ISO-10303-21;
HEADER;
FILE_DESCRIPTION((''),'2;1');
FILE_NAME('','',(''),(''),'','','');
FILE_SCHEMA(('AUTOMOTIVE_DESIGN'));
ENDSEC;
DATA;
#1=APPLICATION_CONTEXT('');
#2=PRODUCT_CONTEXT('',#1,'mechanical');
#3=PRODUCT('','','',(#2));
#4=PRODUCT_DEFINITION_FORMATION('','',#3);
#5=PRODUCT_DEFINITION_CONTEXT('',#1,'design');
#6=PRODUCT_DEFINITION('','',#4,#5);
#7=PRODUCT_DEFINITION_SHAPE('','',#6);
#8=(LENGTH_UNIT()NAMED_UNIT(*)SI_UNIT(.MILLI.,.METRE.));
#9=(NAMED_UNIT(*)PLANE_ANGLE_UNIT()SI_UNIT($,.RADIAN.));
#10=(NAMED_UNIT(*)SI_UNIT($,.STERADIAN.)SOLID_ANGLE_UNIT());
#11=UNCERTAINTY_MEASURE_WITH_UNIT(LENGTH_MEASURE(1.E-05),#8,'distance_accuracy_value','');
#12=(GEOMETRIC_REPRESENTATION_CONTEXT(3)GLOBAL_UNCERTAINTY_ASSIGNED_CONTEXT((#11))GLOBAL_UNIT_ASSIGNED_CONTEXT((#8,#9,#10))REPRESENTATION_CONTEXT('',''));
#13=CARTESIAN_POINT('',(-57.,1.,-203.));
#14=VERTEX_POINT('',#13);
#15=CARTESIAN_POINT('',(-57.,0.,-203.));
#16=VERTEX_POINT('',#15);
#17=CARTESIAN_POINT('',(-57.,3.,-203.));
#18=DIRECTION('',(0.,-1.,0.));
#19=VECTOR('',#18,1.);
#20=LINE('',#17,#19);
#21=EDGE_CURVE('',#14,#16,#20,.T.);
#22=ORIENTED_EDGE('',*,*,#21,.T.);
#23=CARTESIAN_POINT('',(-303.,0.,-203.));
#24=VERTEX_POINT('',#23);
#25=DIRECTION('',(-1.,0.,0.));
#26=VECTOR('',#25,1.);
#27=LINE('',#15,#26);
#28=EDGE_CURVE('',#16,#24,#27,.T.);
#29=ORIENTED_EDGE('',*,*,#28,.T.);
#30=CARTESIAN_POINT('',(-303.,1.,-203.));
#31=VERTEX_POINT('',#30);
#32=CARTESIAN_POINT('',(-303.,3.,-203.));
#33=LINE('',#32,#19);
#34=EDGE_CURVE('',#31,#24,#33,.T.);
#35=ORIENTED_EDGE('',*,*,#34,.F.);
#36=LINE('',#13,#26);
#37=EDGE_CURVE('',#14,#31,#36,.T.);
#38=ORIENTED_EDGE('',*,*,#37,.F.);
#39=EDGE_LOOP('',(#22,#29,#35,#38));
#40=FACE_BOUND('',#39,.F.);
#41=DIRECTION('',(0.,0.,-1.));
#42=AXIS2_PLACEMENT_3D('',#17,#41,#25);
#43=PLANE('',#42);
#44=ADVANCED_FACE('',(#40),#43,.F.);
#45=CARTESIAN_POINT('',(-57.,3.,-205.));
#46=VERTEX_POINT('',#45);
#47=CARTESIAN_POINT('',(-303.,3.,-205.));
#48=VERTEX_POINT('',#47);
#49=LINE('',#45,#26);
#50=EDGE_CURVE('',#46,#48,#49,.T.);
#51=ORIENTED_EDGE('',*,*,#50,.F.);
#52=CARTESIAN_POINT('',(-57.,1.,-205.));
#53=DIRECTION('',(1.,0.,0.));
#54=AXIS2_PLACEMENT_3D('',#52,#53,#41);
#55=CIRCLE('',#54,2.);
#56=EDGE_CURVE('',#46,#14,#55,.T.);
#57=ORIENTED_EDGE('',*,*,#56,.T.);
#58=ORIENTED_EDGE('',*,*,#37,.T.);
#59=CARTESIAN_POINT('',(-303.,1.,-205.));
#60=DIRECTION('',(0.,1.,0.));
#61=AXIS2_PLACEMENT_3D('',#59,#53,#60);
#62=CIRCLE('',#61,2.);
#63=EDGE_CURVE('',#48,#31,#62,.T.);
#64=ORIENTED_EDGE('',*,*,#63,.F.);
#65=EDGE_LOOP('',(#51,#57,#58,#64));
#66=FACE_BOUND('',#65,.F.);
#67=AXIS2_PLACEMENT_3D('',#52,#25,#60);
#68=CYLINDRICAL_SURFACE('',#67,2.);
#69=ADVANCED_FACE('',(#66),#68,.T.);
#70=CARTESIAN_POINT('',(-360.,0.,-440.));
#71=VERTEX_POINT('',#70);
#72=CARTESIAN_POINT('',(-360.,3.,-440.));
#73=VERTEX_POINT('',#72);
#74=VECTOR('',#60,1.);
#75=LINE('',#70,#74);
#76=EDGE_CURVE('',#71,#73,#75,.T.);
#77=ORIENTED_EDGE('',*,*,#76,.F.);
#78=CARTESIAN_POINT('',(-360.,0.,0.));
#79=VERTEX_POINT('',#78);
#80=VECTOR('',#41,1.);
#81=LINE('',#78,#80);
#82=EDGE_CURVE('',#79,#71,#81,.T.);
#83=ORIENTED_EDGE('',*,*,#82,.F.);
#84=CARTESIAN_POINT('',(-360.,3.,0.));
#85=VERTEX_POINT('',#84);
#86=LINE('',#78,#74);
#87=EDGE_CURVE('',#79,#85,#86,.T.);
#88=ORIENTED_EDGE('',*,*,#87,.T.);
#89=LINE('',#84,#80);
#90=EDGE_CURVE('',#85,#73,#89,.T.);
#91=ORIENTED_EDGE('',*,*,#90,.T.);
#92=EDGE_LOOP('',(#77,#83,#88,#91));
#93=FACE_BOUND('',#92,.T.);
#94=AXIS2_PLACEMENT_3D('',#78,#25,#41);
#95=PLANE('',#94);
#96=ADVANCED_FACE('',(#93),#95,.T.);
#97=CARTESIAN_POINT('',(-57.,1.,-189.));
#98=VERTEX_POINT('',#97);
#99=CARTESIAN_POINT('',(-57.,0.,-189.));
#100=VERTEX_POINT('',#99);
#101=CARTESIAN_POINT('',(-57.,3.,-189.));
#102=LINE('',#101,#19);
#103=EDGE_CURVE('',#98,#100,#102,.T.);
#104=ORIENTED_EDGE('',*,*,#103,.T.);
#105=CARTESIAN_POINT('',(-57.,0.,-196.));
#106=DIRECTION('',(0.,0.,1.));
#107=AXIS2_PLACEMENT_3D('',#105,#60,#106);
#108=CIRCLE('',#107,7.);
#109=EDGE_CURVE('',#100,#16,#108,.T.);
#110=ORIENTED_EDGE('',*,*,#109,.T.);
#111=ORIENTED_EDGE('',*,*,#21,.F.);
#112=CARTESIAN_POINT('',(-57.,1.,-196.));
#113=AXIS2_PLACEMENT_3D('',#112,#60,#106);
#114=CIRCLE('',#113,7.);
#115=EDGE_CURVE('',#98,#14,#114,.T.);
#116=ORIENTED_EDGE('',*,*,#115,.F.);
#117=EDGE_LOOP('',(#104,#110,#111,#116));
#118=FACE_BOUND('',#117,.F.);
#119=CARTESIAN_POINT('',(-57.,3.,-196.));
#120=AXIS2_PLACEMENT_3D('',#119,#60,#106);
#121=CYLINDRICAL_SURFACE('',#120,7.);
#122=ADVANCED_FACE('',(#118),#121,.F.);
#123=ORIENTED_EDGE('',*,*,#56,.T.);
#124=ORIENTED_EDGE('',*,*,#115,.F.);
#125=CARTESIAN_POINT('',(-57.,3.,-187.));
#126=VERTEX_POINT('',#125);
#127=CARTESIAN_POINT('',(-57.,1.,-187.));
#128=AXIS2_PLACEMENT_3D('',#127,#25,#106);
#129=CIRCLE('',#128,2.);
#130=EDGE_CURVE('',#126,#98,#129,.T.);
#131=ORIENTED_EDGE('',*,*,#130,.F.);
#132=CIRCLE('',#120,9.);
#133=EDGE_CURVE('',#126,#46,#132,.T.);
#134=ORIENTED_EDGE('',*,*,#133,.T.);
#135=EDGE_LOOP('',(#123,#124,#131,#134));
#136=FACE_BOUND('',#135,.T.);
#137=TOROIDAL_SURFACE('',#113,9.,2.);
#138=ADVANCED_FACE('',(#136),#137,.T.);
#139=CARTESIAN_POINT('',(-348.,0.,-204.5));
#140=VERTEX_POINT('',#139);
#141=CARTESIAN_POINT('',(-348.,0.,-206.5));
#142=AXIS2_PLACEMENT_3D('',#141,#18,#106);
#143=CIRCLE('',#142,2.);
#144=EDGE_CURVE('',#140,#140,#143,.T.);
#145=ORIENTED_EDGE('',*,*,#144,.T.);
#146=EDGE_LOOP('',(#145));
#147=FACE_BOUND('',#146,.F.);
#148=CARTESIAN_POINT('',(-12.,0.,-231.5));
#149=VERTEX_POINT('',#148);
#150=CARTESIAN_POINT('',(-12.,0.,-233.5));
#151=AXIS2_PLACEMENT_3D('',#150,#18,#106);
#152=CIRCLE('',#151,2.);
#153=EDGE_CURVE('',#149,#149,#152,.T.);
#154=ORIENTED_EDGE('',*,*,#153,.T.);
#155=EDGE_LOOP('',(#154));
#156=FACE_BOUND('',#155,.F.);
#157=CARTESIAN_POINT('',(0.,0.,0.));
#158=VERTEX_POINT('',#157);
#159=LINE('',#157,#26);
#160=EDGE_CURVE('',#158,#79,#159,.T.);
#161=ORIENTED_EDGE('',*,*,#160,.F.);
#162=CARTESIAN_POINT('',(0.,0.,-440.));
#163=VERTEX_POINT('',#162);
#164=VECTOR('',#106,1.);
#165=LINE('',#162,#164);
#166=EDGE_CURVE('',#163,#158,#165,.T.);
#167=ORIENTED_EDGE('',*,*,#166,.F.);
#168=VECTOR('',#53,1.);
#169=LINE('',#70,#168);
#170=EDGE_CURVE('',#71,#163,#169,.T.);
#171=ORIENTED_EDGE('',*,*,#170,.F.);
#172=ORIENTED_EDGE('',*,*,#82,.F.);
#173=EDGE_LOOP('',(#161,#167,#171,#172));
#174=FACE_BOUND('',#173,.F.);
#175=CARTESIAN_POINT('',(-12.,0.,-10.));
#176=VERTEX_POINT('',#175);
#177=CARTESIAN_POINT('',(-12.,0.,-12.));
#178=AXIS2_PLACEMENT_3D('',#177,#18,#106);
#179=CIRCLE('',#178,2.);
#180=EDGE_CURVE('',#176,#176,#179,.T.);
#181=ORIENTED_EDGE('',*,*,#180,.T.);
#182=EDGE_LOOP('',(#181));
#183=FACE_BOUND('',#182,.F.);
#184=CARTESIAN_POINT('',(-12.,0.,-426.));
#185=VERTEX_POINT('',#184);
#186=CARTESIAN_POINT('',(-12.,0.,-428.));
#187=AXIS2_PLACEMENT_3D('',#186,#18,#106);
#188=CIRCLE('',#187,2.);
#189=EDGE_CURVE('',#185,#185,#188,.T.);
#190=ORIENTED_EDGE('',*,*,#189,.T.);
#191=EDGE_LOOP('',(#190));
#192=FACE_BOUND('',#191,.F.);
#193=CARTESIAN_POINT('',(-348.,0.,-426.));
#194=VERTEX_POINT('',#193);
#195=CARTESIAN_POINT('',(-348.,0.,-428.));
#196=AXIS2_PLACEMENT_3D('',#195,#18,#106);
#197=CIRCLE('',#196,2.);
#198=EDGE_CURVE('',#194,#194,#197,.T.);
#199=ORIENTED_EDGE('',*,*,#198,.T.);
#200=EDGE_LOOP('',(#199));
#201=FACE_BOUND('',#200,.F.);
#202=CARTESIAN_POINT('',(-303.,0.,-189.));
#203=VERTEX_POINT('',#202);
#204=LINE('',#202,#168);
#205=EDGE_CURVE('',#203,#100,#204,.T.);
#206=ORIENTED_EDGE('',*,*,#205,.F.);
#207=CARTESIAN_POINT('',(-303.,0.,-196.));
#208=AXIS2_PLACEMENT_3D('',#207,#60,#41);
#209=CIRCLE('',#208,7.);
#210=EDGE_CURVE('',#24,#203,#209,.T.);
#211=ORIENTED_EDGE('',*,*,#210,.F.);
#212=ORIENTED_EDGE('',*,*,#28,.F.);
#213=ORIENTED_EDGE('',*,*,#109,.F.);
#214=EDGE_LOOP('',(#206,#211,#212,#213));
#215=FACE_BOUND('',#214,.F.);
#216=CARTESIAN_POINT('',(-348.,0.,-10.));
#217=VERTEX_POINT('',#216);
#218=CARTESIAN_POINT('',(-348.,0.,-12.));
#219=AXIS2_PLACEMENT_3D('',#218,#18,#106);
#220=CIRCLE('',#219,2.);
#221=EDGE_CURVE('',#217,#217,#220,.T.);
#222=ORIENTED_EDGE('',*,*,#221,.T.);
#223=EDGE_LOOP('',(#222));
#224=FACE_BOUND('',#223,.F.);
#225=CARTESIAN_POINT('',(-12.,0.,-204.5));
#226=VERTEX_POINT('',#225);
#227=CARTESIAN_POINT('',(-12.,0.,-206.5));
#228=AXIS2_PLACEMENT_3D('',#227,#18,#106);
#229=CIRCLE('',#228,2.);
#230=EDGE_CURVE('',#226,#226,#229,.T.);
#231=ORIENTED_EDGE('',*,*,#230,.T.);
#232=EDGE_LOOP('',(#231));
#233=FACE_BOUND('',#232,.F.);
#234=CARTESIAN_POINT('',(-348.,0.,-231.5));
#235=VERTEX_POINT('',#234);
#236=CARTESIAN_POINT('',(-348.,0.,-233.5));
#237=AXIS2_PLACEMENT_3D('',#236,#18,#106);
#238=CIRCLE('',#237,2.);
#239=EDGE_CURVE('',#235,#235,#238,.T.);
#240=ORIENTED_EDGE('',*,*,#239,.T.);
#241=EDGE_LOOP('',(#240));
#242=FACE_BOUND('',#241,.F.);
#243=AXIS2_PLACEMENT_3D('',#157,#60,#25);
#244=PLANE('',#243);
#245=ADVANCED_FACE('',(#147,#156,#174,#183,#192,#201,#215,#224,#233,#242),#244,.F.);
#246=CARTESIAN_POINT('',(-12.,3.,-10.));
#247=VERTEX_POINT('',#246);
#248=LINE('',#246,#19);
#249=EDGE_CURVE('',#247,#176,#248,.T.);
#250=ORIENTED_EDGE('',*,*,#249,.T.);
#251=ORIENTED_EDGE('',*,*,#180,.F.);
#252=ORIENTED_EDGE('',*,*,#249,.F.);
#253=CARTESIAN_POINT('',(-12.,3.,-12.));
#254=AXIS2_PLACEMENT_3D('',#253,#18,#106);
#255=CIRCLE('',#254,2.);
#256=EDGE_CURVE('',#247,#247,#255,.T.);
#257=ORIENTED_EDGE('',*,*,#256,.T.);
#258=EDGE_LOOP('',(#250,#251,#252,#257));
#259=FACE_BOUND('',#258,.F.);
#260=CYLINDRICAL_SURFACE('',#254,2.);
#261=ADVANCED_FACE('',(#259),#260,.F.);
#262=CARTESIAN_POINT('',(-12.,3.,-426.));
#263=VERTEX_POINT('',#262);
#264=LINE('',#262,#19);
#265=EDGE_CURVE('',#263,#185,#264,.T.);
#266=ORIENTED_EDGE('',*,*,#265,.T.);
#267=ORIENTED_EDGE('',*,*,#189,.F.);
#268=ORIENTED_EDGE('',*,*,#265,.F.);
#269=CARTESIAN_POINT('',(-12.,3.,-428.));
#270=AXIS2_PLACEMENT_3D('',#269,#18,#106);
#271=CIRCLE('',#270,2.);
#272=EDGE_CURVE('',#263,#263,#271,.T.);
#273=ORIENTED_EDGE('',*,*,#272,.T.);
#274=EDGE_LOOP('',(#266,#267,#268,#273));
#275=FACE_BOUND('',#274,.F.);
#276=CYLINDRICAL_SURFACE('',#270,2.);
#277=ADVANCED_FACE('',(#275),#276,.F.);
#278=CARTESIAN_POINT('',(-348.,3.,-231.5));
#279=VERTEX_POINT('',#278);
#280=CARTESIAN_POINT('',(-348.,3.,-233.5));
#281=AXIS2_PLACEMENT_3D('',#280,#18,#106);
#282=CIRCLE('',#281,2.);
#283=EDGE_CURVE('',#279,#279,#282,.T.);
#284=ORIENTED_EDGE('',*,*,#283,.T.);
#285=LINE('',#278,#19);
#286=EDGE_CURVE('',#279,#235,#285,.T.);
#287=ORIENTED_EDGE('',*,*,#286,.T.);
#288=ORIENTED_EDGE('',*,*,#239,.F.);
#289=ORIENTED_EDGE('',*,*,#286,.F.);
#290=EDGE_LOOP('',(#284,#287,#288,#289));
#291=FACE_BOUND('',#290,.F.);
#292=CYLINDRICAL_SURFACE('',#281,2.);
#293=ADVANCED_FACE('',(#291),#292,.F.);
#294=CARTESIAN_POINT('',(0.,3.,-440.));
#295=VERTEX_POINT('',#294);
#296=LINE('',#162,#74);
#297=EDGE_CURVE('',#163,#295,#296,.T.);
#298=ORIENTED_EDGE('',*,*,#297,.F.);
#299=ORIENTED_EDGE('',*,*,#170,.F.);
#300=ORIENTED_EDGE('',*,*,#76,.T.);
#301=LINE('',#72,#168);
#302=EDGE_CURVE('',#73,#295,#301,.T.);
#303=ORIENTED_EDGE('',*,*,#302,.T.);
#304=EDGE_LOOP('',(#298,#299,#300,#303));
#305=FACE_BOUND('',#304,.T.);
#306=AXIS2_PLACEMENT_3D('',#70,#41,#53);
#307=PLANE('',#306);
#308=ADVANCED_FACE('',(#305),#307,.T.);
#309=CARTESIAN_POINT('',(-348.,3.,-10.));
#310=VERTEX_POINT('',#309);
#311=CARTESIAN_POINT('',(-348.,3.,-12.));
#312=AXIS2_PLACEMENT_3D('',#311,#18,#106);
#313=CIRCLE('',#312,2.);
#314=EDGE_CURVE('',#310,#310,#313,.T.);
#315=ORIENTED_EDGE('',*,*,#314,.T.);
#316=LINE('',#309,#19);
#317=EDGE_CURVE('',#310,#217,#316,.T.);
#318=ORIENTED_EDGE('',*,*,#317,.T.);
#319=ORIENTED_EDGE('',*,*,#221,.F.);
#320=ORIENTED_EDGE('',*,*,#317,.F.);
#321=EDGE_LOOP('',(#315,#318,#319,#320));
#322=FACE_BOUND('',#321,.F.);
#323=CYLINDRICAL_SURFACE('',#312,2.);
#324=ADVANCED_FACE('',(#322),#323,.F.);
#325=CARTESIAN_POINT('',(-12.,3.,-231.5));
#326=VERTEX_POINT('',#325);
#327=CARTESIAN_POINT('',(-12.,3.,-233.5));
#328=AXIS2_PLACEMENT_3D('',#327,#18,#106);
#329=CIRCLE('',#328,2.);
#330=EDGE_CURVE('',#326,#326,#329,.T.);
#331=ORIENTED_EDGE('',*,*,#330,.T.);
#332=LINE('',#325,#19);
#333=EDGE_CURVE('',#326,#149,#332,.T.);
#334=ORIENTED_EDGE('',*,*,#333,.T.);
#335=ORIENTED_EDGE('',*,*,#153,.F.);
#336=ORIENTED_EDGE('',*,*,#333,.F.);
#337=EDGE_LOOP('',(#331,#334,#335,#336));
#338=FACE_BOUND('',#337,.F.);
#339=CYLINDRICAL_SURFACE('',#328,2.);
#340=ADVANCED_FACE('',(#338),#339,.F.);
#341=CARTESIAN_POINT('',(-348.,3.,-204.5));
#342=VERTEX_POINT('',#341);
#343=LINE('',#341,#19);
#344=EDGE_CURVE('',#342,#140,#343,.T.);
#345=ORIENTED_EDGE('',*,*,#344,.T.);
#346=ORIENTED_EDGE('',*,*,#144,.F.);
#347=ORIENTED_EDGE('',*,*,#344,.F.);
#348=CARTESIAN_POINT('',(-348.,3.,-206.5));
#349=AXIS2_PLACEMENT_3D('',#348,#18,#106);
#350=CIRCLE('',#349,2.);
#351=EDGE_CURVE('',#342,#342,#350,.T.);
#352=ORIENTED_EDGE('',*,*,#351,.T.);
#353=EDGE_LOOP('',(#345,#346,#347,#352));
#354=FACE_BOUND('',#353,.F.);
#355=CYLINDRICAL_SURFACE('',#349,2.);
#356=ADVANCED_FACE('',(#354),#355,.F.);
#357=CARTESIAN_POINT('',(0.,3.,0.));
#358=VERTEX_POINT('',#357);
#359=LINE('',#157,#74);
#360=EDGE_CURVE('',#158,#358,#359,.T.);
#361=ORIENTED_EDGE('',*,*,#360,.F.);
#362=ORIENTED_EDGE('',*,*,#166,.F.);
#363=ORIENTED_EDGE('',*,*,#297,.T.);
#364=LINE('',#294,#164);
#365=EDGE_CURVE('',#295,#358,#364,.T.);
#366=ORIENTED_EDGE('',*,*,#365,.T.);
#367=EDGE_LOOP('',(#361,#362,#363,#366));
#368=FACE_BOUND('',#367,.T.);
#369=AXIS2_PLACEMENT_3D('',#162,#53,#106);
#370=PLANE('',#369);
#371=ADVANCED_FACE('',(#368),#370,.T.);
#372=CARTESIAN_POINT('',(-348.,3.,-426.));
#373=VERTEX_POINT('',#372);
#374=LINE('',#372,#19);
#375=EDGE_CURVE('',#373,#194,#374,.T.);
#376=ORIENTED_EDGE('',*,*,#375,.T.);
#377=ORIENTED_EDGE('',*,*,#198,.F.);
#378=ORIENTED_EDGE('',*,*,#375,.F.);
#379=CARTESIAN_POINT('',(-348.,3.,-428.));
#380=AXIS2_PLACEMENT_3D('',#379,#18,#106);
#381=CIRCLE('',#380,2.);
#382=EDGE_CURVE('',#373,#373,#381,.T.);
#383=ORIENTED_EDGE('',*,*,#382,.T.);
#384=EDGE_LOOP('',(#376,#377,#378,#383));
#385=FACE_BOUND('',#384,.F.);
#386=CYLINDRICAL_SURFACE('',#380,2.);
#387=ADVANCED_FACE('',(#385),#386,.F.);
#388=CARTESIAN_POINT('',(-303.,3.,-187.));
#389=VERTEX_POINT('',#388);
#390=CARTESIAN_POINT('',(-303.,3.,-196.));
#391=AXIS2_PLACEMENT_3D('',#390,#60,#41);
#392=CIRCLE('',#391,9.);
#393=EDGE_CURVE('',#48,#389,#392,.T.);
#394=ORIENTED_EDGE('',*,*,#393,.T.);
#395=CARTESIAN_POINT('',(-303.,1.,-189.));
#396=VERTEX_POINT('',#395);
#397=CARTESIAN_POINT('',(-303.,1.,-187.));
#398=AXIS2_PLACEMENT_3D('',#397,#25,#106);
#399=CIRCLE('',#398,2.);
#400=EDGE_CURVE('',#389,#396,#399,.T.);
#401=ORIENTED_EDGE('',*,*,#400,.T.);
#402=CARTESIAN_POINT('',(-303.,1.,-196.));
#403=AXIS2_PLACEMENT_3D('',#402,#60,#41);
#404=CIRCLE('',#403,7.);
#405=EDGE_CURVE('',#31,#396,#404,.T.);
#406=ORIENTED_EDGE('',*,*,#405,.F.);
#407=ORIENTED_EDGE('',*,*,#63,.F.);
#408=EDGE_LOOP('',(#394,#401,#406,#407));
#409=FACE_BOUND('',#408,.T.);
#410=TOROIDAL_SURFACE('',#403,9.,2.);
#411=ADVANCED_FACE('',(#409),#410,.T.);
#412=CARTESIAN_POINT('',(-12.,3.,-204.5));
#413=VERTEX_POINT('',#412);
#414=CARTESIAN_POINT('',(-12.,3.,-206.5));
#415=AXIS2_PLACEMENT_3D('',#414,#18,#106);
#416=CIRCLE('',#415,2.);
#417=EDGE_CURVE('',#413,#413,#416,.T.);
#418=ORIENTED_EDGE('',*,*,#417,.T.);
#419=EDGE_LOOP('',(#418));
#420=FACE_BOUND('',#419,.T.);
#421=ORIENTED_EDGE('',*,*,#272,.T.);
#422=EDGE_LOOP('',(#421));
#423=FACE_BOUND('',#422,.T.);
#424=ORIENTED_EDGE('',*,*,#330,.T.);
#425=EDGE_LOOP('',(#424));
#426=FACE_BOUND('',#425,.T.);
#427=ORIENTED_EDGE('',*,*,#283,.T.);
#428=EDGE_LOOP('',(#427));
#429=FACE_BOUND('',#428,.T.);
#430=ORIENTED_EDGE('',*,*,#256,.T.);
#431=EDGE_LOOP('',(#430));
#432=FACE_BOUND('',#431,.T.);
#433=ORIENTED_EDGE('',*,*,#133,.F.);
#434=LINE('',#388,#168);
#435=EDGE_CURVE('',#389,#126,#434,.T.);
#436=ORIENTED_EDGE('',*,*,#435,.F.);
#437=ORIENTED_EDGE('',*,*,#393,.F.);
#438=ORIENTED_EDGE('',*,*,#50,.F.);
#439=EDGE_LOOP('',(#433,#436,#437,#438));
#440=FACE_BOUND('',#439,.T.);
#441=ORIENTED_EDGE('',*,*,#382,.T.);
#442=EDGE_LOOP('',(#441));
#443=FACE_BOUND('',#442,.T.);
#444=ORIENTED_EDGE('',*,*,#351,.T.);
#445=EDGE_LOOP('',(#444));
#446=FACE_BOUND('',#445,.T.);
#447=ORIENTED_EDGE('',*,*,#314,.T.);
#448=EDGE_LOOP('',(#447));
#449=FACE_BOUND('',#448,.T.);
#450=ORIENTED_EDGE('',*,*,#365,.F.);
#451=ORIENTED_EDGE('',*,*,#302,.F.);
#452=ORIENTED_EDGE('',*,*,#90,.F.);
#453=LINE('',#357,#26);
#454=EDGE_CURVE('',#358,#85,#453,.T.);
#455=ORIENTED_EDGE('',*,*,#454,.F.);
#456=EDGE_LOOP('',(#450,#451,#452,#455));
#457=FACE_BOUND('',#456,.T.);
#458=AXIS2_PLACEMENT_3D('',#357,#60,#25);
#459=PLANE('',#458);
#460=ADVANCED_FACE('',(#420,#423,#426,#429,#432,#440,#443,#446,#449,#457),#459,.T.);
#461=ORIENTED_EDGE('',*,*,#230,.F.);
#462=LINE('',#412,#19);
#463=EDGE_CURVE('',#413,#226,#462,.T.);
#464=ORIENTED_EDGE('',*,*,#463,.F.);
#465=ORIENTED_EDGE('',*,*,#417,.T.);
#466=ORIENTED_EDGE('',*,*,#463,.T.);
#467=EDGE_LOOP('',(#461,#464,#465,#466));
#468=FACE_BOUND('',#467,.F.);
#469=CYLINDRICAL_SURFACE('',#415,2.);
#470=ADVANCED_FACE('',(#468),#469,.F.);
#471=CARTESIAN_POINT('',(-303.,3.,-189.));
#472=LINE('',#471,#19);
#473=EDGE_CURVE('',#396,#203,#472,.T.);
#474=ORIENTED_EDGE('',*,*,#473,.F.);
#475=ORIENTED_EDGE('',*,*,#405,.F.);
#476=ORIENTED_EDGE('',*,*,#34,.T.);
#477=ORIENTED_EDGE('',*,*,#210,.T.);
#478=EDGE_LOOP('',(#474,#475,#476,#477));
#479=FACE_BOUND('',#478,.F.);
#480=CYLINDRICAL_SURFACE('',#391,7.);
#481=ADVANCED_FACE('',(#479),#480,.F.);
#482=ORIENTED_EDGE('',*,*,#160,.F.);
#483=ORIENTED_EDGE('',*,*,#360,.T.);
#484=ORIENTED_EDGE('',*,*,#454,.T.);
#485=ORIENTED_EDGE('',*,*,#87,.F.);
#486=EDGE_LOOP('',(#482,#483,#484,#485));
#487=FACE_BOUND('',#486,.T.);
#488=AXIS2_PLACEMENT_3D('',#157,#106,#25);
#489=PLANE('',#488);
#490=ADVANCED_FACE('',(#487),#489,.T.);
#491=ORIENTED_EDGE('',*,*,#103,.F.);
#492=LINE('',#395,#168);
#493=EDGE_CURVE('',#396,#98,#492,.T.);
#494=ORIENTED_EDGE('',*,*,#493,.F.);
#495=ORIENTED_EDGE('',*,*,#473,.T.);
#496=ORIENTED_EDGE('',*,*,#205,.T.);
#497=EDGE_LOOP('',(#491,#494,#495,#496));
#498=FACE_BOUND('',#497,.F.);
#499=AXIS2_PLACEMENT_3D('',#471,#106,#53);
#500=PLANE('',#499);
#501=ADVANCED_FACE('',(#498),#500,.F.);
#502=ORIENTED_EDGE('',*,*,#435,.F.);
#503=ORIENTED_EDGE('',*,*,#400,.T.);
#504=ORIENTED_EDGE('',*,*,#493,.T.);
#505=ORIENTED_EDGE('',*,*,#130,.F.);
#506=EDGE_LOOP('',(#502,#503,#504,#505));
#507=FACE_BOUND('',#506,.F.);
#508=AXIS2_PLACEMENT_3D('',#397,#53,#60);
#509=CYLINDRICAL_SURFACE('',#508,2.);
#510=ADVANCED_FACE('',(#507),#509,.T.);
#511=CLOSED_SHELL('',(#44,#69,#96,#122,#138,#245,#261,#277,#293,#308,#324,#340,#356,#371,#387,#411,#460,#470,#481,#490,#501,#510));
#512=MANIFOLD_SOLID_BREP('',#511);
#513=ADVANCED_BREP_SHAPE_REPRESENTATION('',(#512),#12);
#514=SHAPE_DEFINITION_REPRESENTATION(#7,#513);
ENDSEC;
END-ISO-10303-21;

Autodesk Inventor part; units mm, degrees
ref_plane "YZ Plane" through (0, 0, 0) normal (1, 0, 0) x (0, 1, 0)
ref_plane "XZ Plane" through (0, 0, 0) normal (0, 1, 0) x (-1, 0, 0)
ref_plane "XY Plane" through (0, 0, 0) normal (0, 0, 1) x (1, 0, 0)
sketch "Sketch1" plane through (0, 0, 0) normal (0, 1, 0) x (-1, 0, 0)
  line L0 (0, 0) -> (360, 0)
  line L1 (360, 0) -> (360, -440)
  line L2 (360, -440) -> (0, -440)
  line L3 (0, -440) -> (0, 0)
  dimension "d0" = 360
  dimension "d1" = 440
extrude "Extrusion1" add sketch "Sketch1" along normal blind 3
hole "Hole1" at (-12, 3, -12) direction (0, -1, 0) diameter 4 end through all
hole "Hole2" at (-348, 3, -12) direction (0, -1, 0) diameter 4 end through all
hole "Hole3" at (-348, 3, -428) direction (0, -1, 0) diameter 4 end through all
hole "Hole4" at (-12, 3, -428) direction (0, -1, 0) diameter 4 end through all
hole "Hole5" at (-12, 3, -206.5) direction (0, -1, 0) diameter 4 end through all
hole "Hole6" at (-12, 3, -233.5) direction (0, -1, 0) diameter 4 end through all
hole "Hole7" at (-348, 3, -206.5) direction (0, -1, 0) diameter 4 end through all
hole "Hole8" at (-348, 3, -233.5) direction (0, -1, 0) diameter 4 end through all
sketch "Sketch2" plane through (0, 3, 0) normal (0, 1, 0) x (1, 0, 0)
  line L0 (-360, 440) -> (-360, 0) projected
  line L1 (-360, 220) -> (0, 220)
  line L2 (0, 440) -> (0, 0) projected
  line L3 (-310, 196) -> (-50, 196) construction
  line L4 (-303, 189) -> (-57, 189)
  line L5 (-57, 203) -> (-303, 203)
  arc A0 (-303, 203) -> (-303, 189) centre (-303, 196) ccw
  arc A1 (-57, 189) -> (-57, 203) centre (-57, 196) ccw
  point P0 (-180, 196)
extrude "Extrusion2" cut sketch "Sketch2" against normal blind 3
fillet "Fillet1" radius 2 4 edges at (-50, 3, -196) (-180, 3, -189) (-310, 3, -196) (-180, 3, -203)
properties part number "FrameTop" material "Dibond"
